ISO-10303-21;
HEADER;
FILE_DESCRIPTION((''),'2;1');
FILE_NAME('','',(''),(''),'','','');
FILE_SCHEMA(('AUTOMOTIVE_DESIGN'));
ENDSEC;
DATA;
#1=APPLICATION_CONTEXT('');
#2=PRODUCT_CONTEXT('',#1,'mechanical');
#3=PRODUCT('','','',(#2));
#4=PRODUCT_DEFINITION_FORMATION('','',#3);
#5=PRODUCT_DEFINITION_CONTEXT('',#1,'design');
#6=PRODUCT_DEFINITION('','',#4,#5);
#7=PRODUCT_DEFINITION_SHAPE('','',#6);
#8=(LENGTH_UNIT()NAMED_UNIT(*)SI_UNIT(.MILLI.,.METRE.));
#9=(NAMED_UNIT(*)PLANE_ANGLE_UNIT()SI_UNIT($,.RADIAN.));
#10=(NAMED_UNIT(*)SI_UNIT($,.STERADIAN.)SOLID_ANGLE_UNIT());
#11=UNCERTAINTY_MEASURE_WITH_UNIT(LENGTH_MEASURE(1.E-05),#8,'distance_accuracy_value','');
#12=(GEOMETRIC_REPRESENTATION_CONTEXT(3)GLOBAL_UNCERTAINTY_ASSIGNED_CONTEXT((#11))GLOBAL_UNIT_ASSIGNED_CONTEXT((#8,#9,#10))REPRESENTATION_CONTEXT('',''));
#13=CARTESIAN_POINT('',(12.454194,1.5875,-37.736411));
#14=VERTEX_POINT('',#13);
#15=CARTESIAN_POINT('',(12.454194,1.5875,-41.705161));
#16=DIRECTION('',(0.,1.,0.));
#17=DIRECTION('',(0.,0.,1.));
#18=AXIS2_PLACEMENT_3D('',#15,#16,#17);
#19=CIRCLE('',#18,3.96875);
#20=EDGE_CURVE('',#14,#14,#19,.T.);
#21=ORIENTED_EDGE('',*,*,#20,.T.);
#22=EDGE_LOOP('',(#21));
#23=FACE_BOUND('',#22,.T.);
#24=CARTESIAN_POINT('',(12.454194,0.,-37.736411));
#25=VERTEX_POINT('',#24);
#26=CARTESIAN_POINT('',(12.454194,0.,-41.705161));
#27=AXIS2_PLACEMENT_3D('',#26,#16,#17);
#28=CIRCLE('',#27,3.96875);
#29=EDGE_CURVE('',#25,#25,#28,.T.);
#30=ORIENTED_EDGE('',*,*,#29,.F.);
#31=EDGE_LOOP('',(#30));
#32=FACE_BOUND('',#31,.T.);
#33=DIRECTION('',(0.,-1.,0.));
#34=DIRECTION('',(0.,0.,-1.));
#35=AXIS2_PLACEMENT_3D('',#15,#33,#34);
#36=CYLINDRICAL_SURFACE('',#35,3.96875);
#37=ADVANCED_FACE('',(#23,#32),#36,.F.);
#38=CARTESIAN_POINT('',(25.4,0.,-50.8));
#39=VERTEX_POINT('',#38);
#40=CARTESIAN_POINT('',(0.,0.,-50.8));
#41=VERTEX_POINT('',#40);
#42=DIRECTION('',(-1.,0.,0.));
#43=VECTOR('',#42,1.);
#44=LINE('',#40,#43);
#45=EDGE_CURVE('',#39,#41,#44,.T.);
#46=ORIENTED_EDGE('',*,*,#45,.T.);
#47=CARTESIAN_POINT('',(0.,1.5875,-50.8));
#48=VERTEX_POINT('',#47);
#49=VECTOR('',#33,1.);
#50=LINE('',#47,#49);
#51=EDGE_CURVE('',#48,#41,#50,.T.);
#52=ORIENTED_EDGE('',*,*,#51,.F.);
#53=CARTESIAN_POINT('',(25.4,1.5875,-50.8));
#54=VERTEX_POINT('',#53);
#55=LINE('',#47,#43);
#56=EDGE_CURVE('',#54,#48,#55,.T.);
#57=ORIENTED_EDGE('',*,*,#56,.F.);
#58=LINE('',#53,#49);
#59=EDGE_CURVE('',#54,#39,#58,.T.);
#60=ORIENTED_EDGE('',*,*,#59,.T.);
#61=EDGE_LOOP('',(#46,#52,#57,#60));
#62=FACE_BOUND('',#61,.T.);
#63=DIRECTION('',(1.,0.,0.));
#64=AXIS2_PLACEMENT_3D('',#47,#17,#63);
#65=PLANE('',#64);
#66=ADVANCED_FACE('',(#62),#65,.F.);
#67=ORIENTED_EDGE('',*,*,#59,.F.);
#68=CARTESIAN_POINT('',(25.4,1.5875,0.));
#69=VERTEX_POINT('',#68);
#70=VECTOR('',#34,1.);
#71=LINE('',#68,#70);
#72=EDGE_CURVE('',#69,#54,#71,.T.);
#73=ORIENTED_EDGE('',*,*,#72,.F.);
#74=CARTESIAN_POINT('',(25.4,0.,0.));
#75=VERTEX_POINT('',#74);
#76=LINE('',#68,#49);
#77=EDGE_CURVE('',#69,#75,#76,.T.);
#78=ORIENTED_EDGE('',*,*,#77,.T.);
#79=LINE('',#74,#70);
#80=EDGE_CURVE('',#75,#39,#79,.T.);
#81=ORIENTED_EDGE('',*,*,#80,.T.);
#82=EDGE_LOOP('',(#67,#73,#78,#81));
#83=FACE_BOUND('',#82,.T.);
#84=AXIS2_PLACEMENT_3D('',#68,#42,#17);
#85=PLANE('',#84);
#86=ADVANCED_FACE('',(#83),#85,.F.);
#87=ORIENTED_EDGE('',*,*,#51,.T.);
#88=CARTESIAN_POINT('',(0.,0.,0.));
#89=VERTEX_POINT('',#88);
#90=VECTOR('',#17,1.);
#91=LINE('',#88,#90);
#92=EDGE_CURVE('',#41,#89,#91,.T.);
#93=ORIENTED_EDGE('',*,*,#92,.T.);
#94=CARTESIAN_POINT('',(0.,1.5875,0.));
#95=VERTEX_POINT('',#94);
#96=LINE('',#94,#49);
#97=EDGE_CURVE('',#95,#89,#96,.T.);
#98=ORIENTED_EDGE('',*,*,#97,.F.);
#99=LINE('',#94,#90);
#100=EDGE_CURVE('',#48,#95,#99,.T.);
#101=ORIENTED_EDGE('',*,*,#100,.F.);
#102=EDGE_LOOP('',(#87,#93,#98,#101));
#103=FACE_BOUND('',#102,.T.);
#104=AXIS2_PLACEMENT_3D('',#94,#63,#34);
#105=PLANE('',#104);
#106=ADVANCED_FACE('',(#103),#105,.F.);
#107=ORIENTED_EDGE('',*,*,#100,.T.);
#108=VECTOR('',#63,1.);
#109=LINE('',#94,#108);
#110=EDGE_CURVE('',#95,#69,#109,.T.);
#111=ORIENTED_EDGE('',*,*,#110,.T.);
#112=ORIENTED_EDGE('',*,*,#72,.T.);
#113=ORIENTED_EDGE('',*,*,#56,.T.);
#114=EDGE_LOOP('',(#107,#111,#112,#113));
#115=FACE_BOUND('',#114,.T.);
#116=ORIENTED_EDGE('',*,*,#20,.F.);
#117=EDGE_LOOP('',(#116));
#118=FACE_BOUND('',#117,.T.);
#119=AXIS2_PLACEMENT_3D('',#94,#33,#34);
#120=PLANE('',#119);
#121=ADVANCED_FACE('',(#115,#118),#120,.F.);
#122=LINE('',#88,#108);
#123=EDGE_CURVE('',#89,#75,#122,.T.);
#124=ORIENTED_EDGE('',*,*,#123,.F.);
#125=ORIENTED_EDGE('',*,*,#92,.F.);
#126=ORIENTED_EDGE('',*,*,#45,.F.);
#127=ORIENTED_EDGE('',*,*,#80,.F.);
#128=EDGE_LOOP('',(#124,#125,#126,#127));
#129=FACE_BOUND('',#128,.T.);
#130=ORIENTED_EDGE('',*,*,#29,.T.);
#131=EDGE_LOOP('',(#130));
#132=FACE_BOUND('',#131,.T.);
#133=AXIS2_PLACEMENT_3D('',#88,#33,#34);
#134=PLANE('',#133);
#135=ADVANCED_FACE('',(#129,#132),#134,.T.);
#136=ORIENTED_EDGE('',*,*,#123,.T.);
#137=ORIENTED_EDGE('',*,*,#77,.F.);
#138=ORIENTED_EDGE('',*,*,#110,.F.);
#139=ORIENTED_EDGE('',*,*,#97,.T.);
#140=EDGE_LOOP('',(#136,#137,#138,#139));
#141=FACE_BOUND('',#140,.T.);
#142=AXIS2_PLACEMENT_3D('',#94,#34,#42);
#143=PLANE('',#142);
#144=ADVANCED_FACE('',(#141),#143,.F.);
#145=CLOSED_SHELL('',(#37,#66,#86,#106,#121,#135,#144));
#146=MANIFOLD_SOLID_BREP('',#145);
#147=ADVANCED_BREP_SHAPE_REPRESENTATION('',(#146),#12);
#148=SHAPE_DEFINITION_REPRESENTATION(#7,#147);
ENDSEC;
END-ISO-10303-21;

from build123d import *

# Parameters (mm, degrees)
SKETCH1_W           = 25.4
SKETCH1_H           = 50.8
SKETCH1_R           = 3.96875
BOSS_EXTRUDE1_DEPTH = 1.5875


with BuildPart() as part:
    # Sketch1 → Boss-Extrude1 (new body)
    with BuildSketch(Plane(origin=(0, 0, 0), x_dir=(1, 0, 0), z_dir=(0, 1, 0))):
        with Locations((12.7, 25.4)):
            Rectangle(SKETCH1_W, SKETCH1_H)
        with Locations((12.454193548, 41.70516129)):
            Circle(SKETCH1_R, mode=Mode.SUBTRACT)
    extrude(amount=BOSS_EXTRUDE1_DEPTH)


solid = part.part
